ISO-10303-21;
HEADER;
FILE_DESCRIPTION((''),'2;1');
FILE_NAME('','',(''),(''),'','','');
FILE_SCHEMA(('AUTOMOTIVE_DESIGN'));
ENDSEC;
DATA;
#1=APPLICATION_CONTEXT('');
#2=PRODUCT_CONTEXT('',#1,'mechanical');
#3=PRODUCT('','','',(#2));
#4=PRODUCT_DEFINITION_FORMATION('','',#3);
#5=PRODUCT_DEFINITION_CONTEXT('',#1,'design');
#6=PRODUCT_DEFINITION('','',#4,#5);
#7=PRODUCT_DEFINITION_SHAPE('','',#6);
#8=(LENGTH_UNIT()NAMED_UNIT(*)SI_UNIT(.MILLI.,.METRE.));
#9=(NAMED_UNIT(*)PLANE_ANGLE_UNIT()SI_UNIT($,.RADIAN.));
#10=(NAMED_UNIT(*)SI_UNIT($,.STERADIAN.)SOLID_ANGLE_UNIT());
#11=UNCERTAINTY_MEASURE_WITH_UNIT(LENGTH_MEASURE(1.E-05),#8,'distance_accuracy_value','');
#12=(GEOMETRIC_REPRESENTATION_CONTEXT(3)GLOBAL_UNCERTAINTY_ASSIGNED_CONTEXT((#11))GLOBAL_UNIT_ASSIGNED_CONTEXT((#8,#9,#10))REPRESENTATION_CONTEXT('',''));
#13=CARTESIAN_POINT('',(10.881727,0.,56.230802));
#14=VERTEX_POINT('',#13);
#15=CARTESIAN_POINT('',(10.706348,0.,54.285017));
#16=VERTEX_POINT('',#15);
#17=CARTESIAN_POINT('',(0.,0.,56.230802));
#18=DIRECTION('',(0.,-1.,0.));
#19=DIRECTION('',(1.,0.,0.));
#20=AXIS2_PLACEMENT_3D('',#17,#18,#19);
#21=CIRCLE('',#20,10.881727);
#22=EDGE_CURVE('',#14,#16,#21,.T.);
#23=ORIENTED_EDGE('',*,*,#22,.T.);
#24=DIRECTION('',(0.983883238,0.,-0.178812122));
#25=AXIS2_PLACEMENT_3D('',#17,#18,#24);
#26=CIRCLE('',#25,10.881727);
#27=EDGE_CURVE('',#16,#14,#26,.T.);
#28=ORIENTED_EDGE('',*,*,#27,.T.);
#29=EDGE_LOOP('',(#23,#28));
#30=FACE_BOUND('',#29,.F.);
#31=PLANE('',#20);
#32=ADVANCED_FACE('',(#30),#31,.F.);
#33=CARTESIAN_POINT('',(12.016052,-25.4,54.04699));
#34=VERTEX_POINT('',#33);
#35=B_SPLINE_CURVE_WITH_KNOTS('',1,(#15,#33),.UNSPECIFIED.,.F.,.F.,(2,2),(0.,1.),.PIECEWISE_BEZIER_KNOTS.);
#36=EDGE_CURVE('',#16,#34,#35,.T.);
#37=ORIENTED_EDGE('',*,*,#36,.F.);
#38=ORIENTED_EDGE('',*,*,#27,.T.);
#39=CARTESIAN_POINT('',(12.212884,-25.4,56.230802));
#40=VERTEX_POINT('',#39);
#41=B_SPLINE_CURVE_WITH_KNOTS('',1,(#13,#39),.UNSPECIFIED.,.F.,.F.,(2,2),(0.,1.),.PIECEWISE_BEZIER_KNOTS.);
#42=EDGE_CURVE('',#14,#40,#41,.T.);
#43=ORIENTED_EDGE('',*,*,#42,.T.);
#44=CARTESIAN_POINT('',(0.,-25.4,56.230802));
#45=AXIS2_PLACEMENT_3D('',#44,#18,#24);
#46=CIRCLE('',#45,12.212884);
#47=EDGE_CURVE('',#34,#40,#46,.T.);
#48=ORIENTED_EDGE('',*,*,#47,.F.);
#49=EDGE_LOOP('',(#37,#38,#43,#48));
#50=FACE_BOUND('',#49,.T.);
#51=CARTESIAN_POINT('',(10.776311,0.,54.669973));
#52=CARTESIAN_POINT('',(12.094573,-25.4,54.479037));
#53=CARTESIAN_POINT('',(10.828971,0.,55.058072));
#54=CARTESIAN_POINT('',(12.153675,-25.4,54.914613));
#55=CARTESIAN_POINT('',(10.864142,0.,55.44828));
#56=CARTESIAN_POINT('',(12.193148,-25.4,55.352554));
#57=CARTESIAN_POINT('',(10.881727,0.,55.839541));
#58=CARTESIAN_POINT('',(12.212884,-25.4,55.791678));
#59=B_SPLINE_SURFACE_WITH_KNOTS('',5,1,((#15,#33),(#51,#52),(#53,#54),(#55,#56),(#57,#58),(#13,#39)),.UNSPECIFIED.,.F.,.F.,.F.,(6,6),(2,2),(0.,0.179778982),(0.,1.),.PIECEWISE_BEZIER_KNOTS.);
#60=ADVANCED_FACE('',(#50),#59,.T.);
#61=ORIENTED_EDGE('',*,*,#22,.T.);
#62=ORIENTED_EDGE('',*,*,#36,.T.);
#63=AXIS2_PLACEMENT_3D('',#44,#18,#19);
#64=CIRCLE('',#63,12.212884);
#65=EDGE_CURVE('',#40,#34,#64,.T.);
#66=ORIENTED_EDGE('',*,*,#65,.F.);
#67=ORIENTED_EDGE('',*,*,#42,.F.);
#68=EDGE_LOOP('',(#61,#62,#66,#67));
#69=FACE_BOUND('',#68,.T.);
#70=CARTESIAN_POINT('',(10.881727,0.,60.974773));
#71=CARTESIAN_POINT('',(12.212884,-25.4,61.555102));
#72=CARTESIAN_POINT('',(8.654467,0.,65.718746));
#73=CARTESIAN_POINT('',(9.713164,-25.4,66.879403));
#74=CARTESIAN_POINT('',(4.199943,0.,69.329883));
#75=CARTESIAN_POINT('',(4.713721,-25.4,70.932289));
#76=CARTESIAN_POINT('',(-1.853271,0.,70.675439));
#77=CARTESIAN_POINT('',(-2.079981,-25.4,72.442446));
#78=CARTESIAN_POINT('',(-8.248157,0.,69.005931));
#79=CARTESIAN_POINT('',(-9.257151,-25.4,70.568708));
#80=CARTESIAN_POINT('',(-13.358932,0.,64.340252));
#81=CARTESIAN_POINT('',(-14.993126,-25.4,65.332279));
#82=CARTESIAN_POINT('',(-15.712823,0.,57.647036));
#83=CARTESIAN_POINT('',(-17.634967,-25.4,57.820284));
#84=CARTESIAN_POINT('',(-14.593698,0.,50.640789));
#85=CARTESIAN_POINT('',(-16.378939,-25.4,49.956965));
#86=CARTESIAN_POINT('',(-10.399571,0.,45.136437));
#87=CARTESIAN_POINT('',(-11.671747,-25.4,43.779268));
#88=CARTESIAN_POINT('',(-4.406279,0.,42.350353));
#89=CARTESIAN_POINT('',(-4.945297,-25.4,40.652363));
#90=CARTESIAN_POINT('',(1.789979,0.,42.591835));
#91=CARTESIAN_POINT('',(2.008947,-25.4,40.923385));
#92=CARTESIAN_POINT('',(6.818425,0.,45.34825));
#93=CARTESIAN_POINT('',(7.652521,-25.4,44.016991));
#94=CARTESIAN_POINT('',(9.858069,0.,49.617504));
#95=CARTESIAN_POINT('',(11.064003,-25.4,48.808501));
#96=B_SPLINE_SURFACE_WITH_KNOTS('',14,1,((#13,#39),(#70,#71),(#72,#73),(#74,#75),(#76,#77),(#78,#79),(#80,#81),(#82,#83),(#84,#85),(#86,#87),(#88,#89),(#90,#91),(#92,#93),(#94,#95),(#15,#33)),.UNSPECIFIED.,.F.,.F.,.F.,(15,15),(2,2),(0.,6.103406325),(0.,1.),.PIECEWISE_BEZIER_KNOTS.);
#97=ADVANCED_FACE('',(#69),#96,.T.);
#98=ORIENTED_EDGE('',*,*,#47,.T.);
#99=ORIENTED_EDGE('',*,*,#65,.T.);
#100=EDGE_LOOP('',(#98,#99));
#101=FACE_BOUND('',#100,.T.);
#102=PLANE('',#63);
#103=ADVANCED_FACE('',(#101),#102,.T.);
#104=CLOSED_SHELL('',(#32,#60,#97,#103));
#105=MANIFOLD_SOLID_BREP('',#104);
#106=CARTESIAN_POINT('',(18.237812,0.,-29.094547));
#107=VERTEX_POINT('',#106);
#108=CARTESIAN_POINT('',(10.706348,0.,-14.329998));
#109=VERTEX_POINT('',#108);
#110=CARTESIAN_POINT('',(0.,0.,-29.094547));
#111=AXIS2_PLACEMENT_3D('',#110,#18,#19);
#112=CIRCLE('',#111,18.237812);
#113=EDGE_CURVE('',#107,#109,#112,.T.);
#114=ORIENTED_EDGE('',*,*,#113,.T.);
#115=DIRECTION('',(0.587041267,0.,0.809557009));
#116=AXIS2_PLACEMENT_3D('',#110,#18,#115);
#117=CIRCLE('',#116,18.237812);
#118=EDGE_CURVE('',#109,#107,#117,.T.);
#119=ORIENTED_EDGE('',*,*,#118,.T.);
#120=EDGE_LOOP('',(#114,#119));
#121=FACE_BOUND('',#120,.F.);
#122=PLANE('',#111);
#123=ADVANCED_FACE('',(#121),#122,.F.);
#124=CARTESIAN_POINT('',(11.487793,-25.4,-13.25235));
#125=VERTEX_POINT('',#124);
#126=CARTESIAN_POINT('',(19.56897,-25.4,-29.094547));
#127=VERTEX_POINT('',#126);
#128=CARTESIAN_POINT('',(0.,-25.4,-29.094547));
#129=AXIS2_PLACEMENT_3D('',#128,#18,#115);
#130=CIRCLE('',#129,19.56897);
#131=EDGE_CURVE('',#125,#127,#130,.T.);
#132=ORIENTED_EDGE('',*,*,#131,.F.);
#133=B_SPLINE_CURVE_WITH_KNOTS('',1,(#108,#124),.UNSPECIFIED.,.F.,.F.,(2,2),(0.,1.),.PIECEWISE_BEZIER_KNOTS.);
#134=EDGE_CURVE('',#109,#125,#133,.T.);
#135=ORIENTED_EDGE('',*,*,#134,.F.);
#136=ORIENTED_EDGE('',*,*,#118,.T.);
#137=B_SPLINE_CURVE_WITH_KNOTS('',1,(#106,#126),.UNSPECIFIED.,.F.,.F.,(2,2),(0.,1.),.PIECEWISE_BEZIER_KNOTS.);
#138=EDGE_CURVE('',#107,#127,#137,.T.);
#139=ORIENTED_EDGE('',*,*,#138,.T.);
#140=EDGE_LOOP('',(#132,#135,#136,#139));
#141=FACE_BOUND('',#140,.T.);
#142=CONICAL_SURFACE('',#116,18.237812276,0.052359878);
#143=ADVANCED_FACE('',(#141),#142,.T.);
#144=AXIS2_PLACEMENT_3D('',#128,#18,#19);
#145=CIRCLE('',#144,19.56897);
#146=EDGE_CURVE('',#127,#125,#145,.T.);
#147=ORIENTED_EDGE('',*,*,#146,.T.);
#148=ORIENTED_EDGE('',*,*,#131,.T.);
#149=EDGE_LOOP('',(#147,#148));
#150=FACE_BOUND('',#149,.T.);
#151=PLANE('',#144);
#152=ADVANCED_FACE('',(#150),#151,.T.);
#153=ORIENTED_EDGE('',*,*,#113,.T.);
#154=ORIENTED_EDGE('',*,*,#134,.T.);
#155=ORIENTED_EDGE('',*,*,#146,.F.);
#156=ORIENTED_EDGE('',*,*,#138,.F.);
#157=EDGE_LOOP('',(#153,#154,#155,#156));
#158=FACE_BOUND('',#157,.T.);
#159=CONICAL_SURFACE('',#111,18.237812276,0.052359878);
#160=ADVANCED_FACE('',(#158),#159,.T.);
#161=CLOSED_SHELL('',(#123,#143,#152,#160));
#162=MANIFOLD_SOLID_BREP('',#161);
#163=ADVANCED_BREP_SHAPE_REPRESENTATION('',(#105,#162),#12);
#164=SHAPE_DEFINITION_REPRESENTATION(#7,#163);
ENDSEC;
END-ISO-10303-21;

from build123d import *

# Parameters (mm, degrees)
F1_DEPTH = 25.4
F1_TAPER = -3


with BuildPart() as f1:
    # F0 (on Front) → F1 (new body)
    with BuildSketch(Plane.XZ):
        with BuildLine():
            ThreePointArc((18.2378122762, -29.0945470333), (16.2462021612, -20.807285003), (10.706348423, -14.329998274))
            ThreePointArc((10.706348423, -14.329998274), (-16.2462021612, -37.3818090637), (18.2378122762, -29.0945470333))
        make_face()
    extrude(amount=F1_DEPTH, taper=F1_TAPER)


with BuildPart() as f1b:
    # F0 (on Front) → F1, piece 2 (new body)
    with BuildSketch(Plane.XZ):
        with BuildLine():
            ThreePointArc((10.8817266259, 56.230802089), (-10.8377933885, 57.2076382218), (10.706348423, 54.2850174638))
            ThreePointArc((10.706348423, 54.2850174638), (10.8377933885, 55.2539659561), (10.8817266259, 56.230802089))
        make_face()
    extrude(amount=F1_DEPTH, taper=F1_TAPER)


solid = Compound([f1.part, f1b.part])
